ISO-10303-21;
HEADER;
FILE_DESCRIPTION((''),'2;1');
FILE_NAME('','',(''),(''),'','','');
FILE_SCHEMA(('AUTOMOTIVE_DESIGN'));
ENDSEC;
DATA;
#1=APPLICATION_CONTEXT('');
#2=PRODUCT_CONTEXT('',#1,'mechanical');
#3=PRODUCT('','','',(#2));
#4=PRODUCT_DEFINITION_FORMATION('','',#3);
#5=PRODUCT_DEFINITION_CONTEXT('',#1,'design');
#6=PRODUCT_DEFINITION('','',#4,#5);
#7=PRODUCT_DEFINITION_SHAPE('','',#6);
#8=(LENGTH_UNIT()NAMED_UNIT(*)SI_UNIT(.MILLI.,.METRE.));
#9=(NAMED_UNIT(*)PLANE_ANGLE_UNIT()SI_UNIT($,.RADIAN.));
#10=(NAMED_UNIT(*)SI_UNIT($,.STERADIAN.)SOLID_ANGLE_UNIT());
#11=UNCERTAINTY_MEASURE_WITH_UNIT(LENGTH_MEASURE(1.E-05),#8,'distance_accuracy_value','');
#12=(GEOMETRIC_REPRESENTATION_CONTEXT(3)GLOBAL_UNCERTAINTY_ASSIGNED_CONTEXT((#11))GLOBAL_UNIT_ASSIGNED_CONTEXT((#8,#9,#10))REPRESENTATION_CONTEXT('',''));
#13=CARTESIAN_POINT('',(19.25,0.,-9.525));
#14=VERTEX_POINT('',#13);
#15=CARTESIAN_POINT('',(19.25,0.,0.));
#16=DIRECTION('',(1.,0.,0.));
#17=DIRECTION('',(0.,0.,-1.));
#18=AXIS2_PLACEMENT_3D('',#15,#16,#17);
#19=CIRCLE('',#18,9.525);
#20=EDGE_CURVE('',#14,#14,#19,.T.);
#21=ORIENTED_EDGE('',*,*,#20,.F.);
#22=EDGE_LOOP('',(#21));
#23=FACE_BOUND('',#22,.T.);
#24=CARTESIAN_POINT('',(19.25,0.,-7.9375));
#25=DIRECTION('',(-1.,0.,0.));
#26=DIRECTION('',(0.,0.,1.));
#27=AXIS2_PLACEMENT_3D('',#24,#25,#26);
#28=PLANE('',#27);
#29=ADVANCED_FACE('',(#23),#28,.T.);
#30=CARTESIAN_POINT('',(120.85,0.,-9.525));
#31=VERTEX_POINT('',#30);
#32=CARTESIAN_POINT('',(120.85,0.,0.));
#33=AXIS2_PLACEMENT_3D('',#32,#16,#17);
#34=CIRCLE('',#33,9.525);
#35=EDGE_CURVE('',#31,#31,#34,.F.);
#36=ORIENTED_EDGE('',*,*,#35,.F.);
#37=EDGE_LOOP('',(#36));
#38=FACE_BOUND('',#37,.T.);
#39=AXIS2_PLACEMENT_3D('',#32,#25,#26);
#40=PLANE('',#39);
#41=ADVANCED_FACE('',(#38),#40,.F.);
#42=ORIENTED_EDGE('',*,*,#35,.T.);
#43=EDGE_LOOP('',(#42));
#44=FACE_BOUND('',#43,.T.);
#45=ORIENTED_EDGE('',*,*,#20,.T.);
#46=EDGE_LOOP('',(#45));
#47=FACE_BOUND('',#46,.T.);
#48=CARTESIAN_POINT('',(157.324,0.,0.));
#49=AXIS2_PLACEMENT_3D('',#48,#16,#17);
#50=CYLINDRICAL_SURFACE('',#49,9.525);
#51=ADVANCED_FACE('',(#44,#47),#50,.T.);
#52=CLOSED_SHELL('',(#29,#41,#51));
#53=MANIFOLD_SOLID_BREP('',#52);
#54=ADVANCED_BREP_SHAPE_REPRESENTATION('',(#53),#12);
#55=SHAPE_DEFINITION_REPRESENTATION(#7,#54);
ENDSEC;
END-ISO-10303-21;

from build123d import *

# Parameters (mm, degrees)
SKETCH1_W           = 120.675
SKETCH1_H           = 1.5875
SKETCH6_R           = 7.9375
BOSS_EXTRUDE1_DEPTH = 101.6
SKETCH7_R           = 23.308025585
CUT_EXTRUDE3_DEPTH  = 19.075


with BuildPart() as part:
    # Sketch1 → Revolve1 (revolve)
    with BuildSketch(Plane(origin=(0, 0, 0), x_dir=(1, 0, 0), z_dir=(0, 1, 0))):
        with Locations((79.5875, 8.73125)):
            Rectangle(SKETCH1_W, SKETCH1_H)
    revolve(axis=Axis((157.324, 0, 0), (-1, 0, 0)))

    # Sketch6 → Boss-Extrude1 (add)
    with BuildSketch(Plane.ZY.offset(-19.25)):
        with Locations(Location((0, 0, 0), (0, 0, 180))):
            Circle(SKETCH6_R)
    extrude(amount=-BOSS_EXTRUDE1_DEPTH)

    # Sketch7 → Cut-Extrude3 (cut)
    with BuildSketch(Plane(origin=(120.85, 0, 0), x_dir=(0, 0, -1), z_dir=(1, 0, 0))):
        Circle(SKETCH7_R)
    extrude(amount=CUT_EXTRUDE3_DEPTH, mode=Mode.SUBTRACT)


solid = part.part
